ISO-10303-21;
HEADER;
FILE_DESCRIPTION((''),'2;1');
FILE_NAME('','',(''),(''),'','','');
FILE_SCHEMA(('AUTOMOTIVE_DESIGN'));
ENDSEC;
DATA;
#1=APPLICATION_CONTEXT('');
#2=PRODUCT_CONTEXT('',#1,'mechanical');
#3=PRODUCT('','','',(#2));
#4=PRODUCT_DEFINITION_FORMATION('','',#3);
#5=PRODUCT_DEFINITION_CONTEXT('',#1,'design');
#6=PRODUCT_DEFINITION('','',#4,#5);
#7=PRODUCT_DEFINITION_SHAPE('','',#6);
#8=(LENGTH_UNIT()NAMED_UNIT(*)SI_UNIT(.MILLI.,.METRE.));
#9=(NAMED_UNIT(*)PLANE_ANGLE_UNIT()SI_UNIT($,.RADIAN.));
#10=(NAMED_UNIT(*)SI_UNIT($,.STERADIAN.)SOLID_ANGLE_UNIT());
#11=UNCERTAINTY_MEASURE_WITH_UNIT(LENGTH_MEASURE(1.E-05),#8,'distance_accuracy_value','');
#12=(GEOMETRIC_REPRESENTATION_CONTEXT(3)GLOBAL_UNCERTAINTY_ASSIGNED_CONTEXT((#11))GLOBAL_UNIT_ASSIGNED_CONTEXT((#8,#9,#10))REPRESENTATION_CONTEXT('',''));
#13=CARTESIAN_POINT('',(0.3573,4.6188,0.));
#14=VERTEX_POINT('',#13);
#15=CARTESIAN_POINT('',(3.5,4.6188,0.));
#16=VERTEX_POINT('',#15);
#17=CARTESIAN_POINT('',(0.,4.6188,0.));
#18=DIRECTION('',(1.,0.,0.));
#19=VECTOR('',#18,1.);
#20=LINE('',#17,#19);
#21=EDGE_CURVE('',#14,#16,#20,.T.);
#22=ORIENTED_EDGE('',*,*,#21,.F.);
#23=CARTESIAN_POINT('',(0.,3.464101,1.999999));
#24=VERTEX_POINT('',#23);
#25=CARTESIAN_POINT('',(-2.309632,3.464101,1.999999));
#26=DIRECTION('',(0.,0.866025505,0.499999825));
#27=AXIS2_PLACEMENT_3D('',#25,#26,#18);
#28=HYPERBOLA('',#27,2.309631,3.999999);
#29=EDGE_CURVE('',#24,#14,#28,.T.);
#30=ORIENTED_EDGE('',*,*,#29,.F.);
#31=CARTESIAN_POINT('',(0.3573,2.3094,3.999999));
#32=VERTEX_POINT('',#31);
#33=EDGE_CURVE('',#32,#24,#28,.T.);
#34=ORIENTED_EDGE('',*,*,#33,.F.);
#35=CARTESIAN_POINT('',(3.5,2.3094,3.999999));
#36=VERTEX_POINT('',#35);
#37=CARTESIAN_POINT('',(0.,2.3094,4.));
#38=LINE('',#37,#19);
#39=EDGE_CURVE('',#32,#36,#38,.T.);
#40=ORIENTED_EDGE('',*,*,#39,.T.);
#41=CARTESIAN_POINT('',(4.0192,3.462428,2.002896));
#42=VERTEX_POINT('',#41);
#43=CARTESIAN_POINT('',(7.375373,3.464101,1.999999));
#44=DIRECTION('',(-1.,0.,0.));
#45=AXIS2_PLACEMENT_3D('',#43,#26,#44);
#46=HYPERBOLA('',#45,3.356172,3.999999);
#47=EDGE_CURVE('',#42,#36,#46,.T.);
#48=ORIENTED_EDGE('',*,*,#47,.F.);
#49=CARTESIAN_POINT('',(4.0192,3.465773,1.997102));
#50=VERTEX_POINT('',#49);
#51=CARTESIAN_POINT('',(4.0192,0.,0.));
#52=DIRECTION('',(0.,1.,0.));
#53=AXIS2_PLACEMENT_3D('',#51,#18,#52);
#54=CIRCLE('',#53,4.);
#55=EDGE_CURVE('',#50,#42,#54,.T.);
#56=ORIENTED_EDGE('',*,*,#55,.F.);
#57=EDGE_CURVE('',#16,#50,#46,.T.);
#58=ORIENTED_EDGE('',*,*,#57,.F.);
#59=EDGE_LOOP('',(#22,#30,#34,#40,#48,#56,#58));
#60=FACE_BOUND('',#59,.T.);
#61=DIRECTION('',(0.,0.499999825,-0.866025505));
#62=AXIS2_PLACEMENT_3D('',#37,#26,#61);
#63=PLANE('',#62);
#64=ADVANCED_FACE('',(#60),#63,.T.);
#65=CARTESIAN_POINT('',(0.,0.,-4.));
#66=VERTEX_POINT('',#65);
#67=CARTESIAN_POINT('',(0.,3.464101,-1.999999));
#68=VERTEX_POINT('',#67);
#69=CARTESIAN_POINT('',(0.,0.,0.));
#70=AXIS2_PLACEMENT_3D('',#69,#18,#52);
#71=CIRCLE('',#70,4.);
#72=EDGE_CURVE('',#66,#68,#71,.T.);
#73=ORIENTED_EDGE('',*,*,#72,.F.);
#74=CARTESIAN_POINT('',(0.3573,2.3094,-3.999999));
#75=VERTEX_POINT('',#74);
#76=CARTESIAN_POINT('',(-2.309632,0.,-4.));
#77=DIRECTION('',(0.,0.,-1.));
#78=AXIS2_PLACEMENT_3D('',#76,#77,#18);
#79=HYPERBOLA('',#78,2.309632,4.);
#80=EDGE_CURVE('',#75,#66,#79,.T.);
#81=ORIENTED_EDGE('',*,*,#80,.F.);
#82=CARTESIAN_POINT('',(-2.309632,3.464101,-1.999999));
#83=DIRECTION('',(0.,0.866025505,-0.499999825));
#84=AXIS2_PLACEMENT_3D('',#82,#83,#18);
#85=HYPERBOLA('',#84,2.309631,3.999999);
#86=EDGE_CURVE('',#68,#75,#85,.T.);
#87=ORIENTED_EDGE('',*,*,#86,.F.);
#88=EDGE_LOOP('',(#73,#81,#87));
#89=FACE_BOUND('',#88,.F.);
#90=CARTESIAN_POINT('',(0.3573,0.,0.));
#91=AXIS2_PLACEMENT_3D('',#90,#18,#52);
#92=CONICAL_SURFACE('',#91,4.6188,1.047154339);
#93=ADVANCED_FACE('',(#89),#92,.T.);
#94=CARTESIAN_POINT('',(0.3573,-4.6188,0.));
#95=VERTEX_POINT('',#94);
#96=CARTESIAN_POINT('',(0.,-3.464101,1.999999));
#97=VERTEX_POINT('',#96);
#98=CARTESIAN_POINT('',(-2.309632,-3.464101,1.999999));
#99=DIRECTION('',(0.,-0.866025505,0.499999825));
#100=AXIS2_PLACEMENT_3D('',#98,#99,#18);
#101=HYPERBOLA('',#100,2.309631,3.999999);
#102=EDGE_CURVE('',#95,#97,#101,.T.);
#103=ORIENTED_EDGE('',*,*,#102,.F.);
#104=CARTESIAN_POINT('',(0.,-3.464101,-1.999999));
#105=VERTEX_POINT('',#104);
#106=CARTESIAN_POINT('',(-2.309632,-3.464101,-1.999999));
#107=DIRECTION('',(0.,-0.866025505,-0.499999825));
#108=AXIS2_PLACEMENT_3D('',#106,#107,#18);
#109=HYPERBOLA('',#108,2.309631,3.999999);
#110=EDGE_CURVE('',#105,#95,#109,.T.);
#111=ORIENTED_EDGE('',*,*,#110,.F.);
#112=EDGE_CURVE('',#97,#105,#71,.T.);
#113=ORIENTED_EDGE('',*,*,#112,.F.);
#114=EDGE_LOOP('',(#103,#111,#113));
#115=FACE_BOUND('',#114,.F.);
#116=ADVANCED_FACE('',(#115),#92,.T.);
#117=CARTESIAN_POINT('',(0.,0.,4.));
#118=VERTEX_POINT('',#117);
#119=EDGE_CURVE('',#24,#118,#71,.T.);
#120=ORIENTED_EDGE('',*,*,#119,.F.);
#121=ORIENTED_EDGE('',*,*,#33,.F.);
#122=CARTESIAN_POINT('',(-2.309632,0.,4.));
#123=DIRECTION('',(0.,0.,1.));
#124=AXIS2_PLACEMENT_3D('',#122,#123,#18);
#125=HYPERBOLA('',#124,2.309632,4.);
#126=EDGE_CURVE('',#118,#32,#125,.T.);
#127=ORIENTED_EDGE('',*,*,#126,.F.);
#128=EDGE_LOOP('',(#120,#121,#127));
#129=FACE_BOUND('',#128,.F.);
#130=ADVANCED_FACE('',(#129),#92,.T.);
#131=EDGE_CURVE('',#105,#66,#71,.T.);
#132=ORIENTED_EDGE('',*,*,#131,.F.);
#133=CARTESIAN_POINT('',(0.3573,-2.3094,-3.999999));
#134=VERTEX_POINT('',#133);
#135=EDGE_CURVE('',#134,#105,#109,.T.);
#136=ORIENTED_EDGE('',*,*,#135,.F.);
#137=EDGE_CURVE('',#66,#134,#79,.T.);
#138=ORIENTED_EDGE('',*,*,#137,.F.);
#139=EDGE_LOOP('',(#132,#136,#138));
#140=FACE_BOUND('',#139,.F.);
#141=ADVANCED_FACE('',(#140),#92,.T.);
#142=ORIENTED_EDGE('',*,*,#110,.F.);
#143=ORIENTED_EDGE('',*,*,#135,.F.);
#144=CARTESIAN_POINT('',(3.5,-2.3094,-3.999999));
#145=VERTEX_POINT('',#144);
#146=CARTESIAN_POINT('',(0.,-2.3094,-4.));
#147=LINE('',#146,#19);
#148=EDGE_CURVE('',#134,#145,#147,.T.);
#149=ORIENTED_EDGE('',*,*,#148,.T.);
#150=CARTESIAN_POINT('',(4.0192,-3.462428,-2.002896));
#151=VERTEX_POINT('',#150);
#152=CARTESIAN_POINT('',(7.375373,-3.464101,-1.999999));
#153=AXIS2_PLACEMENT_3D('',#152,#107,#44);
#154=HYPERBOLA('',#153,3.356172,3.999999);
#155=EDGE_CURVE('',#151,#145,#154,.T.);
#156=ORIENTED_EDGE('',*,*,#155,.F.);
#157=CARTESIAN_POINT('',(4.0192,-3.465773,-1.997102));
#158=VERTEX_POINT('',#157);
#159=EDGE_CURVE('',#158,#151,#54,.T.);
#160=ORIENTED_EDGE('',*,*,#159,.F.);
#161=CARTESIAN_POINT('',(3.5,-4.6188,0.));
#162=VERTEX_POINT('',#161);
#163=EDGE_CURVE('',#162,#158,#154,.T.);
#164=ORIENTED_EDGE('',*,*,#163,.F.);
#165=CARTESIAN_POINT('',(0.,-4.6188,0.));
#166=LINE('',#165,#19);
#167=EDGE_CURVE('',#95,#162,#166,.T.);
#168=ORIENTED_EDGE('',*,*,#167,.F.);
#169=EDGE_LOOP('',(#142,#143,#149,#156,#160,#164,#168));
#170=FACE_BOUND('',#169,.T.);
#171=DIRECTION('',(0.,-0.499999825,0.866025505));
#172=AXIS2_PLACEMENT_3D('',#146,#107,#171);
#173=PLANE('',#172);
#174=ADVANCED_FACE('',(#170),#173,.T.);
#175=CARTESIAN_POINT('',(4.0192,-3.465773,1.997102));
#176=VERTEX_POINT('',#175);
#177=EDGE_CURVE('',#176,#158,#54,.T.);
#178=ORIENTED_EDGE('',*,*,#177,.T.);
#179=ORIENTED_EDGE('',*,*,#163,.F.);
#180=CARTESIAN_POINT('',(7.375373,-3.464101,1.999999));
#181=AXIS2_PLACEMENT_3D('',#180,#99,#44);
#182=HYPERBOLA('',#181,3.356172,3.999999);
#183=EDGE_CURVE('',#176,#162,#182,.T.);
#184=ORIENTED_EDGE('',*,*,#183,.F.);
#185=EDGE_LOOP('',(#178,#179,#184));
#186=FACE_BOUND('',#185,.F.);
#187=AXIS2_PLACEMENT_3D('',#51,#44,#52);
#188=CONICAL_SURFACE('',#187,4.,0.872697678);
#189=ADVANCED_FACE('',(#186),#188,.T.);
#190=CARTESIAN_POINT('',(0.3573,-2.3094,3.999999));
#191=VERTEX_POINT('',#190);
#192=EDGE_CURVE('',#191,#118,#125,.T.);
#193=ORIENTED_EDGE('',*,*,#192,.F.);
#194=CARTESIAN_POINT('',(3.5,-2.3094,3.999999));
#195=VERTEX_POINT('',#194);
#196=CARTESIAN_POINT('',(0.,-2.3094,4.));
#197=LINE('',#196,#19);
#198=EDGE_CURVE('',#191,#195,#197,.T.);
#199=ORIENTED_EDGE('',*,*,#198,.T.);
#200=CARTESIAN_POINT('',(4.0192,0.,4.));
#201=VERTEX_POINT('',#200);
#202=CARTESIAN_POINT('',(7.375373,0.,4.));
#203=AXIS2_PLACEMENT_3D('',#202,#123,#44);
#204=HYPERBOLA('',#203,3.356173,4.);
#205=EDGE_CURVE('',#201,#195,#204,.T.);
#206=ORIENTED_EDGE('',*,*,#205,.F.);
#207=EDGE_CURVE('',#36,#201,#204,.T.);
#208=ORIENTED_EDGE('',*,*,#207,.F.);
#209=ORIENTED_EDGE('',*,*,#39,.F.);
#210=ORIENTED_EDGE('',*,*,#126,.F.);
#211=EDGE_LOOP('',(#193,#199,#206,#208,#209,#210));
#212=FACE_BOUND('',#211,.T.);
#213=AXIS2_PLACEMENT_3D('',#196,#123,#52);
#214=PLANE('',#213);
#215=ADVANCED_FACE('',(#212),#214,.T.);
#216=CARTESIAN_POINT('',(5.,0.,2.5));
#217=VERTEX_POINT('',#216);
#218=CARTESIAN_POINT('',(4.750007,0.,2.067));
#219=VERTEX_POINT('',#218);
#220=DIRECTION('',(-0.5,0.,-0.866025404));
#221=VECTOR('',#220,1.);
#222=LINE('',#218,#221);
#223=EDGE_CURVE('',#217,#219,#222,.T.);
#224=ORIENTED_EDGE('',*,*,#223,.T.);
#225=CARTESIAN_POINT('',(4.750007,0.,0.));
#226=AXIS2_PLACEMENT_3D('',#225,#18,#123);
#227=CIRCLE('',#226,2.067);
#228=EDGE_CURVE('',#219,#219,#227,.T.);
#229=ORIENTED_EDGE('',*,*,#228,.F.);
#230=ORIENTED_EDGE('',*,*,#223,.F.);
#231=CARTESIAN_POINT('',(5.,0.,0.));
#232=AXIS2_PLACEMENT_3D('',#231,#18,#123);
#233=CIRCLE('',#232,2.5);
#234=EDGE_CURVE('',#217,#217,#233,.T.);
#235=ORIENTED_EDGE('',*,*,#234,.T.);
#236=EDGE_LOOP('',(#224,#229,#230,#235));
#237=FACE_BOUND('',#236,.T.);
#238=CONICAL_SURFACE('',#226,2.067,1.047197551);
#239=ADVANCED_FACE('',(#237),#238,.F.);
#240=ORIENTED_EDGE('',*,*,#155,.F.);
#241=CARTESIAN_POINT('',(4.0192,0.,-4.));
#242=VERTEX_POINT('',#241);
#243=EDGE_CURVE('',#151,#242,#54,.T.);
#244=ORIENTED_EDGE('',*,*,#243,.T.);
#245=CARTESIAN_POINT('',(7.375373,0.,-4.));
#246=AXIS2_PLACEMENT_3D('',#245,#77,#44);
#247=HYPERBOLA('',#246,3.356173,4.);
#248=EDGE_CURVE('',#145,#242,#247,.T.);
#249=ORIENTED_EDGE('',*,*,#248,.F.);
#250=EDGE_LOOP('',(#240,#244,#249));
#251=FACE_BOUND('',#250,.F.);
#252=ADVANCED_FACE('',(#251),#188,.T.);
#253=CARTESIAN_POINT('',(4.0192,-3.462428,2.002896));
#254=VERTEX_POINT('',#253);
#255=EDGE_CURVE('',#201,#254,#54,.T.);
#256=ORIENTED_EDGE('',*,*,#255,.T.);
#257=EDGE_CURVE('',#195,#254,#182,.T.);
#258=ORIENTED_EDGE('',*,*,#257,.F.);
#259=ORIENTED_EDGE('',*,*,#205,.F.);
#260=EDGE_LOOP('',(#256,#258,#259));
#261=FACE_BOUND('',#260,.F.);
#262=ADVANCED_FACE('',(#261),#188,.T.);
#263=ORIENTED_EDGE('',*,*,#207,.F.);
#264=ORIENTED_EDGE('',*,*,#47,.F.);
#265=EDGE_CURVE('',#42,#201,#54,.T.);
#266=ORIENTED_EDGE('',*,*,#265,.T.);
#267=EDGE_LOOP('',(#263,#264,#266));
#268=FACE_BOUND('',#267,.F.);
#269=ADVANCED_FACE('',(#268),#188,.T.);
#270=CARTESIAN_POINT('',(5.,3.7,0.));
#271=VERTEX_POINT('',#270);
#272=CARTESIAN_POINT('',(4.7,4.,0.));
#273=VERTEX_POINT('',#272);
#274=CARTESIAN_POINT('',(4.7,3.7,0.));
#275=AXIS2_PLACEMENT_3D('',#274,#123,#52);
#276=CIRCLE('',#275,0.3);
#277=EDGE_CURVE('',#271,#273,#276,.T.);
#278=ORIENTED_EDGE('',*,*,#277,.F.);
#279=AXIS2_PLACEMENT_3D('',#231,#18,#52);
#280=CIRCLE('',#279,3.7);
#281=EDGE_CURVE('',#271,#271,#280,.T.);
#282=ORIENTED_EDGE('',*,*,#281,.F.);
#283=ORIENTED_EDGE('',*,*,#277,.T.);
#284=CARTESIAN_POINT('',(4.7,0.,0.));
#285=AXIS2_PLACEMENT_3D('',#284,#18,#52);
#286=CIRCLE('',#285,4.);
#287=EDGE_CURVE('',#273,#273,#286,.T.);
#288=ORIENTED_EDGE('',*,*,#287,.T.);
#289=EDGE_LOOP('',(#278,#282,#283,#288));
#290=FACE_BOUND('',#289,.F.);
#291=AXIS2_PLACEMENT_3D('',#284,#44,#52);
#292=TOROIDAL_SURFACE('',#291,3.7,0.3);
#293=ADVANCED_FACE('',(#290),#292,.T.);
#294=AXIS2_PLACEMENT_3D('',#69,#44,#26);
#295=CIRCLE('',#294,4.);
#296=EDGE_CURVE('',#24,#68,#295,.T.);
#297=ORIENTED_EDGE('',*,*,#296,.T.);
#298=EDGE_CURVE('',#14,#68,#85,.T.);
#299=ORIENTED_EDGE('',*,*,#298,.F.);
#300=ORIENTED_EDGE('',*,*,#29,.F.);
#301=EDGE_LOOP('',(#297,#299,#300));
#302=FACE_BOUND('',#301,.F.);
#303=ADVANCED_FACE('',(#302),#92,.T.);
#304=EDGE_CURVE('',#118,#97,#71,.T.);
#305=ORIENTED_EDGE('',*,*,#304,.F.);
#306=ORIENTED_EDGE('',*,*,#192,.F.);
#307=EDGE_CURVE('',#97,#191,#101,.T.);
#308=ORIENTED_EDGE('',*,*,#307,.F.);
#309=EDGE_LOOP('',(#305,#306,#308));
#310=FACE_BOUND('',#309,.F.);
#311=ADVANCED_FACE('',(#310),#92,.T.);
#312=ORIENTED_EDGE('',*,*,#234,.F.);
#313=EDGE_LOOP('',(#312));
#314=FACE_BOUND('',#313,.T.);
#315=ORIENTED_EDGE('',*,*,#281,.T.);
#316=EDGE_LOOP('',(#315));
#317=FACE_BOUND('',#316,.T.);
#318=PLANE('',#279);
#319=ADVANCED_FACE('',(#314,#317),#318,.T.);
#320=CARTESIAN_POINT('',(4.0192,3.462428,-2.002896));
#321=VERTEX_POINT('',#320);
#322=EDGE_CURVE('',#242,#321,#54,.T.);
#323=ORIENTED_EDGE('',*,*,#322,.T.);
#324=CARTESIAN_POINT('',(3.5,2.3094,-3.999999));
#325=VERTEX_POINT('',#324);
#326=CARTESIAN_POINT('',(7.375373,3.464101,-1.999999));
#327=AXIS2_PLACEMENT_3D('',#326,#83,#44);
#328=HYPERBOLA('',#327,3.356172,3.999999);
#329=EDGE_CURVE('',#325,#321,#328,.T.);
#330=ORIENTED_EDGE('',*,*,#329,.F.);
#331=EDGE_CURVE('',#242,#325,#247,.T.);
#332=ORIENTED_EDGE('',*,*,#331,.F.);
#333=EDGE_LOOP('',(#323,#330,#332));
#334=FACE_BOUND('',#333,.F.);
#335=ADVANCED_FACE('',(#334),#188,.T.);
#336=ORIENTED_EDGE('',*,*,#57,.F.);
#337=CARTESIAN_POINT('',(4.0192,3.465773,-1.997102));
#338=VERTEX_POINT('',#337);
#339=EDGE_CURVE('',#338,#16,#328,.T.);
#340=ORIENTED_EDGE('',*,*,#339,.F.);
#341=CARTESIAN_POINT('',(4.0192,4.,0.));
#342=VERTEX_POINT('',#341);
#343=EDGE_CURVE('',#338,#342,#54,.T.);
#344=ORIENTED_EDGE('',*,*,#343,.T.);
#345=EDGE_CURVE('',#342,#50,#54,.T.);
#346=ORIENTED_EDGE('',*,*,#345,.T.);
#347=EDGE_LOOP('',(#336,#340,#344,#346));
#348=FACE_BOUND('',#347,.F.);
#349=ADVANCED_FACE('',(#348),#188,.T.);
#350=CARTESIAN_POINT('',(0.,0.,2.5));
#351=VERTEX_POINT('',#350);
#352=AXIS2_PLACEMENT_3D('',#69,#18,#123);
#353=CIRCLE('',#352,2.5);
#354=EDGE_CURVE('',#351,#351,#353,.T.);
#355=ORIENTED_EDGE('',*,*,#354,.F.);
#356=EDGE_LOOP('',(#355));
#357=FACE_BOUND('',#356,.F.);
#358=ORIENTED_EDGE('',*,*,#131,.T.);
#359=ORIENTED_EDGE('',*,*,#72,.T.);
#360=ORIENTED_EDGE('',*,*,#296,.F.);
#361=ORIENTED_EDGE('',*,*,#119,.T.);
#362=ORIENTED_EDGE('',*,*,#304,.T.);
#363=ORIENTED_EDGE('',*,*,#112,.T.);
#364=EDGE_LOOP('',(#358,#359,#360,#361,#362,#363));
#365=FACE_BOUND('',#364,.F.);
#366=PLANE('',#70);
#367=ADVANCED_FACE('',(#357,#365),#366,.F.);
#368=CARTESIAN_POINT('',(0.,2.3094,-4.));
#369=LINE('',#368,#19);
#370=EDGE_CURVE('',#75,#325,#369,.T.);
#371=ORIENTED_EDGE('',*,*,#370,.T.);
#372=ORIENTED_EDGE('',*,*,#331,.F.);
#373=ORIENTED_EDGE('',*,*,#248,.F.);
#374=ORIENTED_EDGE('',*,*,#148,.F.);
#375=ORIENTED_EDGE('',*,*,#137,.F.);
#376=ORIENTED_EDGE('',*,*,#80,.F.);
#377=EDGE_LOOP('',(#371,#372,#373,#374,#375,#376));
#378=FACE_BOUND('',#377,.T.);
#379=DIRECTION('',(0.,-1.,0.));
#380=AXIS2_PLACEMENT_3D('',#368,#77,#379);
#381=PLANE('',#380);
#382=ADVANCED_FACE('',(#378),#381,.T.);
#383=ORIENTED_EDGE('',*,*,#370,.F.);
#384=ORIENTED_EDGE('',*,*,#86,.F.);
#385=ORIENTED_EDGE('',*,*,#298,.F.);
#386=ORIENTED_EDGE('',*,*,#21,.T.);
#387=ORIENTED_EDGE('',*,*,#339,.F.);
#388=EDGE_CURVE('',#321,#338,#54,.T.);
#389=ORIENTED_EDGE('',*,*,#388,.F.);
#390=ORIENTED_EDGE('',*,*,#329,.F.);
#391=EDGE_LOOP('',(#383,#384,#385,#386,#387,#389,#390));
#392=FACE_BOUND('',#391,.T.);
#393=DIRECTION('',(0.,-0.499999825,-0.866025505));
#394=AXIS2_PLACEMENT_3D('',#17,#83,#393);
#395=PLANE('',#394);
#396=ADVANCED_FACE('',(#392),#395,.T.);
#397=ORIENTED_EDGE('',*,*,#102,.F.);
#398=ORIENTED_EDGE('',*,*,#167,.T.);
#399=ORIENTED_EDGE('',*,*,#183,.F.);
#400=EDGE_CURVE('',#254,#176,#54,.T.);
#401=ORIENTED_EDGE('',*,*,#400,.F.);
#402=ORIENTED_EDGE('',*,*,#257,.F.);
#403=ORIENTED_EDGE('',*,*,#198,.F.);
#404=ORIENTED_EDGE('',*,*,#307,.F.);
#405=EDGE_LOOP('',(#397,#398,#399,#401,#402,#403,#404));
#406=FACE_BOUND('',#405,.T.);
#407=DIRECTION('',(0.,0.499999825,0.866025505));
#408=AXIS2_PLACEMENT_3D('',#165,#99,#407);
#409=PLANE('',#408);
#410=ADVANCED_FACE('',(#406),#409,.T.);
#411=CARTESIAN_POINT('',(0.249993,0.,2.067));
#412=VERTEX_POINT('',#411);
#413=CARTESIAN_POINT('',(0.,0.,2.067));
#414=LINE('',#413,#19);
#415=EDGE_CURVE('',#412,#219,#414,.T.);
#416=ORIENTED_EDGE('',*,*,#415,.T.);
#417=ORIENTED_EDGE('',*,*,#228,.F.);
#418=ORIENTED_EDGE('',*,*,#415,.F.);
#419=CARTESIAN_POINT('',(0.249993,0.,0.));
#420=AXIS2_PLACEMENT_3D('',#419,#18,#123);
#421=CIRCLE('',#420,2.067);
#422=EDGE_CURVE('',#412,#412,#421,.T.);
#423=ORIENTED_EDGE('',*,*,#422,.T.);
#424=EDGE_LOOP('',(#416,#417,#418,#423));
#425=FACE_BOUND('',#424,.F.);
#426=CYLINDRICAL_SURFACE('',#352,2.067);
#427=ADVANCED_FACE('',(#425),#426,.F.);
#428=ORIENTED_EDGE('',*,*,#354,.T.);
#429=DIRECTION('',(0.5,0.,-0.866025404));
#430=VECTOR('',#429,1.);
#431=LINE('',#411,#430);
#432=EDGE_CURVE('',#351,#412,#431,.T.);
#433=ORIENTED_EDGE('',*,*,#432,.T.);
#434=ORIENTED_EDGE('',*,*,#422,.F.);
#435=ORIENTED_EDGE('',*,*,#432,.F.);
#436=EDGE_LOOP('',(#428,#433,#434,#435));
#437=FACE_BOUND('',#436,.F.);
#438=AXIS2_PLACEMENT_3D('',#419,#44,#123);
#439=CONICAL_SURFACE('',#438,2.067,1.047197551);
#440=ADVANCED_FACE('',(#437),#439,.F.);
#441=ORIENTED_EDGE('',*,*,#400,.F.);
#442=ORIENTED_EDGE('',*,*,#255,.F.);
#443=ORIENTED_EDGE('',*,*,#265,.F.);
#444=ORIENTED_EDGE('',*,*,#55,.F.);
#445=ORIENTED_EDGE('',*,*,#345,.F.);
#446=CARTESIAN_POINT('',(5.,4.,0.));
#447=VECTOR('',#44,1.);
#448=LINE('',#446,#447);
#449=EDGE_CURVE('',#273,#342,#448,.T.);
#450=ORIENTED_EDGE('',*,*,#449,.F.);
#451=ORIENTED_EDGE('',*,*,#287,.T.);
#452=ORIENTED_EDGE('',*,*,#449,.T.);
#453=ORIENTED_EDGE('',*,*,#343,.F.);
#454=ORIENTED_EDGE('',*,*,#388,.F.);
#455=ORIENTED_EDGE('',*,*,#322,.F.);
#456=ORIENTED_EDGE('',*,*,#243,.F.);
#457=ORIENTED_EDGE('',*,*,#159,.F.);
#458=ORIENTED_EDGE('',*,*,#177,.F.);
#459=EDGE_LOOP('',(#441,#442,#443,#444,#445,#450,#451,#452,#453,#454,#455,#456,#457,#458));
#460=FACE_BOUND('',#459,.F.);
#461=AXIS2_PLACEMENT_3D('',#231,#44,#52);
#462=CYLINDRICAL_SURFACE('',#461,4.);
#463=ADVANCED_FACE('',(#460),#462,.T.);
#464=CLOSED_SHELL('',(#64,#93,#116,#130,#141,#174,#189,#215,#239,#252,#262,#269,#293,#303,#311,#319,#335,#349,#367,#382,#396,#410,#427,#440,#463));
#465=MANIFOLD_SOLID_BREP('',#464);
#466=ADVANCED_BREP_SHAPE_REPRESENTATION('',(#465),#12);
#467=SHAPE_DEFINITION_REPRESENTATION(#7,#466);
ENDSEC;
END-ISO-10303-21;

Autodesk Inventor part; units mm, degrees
ref_plane "YZ Plane" through (0, 0, 0) normal (1, 0, 0) x (0, 1, 0)
ref_plane "XZ Plane" through (0, 0, 0) normal (0, 1, 0) x (-1, 0, 0)
sketch "Sketch1" plane through (0, 0, 0) normal (1, 0, 0) x (0, 1, 0)
  line L0 (-4.6188, 0) -> (-2.3094, 4)
  line L1 (-2.3094, 4) -> (2.3094, 4)
  line L2 (2.3094, 4) -> (4.6188, 0)
  line L3 (4.6188, 0) -> (2.3094, -4)
  line L4 (2.3094, -4) -> (-2.3094, -4)
  line L5 (-2.3094, -4) -> (-4.6188, 0)
  point P0 (0, 0)
  point P1 (0, 0)
  dimension "d0" = 9.2376
extrude "Body" add sketch "Sketch1" along normal blind 5
sketch "Sketch2" plane through (0, 0, 0) normal (-1, 0, 0) x (0, 0, 1)
  line L0 (0, -6.4663) -> (0, 6.4663) projected
  line L1 (-5.6, 0) -> (5.6, 0) projected
  point P0 (0, 0)
hole "Thread" at (0, 0, 0) direction (1, 0, 0) diameter 4.134 end through all thread size "M5x0.8" class "6H" standard "ANSI Metric M Profile"
chamfer "Chamfer1" distance 0.433 angle 30 1 edges at (0, 0, -2.067) measured on face at (0, -2.8764, -1.7247)
chamfer "Chamfer2" distance 0.433 angle 30 1 edges at (5, 0, -2.067) measured on face at (5, -2.8764, -1.7247)
sketch "Sketch3" plane through (0, 0, 0) normal (0, 0, 1) x (1, 0, 0)
  line L0 (0, 2.3094) -> (0, 4.6188) projected
  line L1 (0, 4.6188) -> (5, 4.6188) projected
  line L2 (5, 2.3094) -> (5, 4.6188) projected
  line L3 (-1.36, 0) -> (8.16, 0) projected
  line L4 (0.3573, 4.6188) -> (0, 4)
  line L5 (5, 4) -> (4.0192, 4)
  line L6 (4.0192, 4) -> (3.5, 4.6188)
  line L7 (13.2445, 4.6188) -> (17.2445, 2.3094) construction
  line L8 (17.2445, 2.3094) -> (17.2445, -2.3094) construction
  line L9 (17.2445, -2.3094) -> (13.2445, -4.6188) construction
  line L10 (13.2445, -4.6188) -> (9.2445, -2.3094) construction
  line L11 (9.2445, -2.3094) -> (9.2445, 2.3094) construction
  line L12 (9.2445, 2.3094) -> (13.2445, 4.6188) construction
  circle A0 centre (13.2445, 0) radius 4 construction
  line L13 (13.2445, 4) -> (5, 4) construction
  dimension "d3" = 30
  dimension "d5" = 8
  dimension "d8" = 40
  dimension "d9" = 3.5
  dimension "d43" = 8.2445
revolve "Chamfer3" cut sketch "Sketch3" angle 360 about axis through (-10, 0, 0) along (1, 0, 0)
ref_plane "Work Plane1" through (13.2035, 0, 0) normal (0, 0, 1) x (-1, 0, 0)
fillet "Fillet1" radius 0.3 1 edges at (5, -4, 0)
equation "\"d0\" = 1.1547 * SW"
equation "\"d3\" = ANG1"
equation "\"d5\" = SW0"
equation "\"d10\" = -0.5 * GD1 + 0.5 * NND"
equation "\"d39\" = -0.5 * GD1 + 0.5 * NND"
equation "\"d12\" = -0.5 * GD1 + 0.5 * NND"
equation "\"d40\" = -0.5 * GD1 + 0.5 * NND"
equation "\"ANG1\" = 30deg"
equation "\"ANG2\" = 60deg"
equation "\"NND\" = 5"
equation "\"KOH\" = 6.8"
equation "\"SW\" = 8"
equation "\"SW0\" = SW"
equation "\"SW1\" = 0.85 * SW"
equation "\"KOH1\" = 2.7"
equation "\"GUL\" = 0.541266 * PTC"
equation "\"THREADDIA\" = 5"
equation "\"TOA\" = 30deg"
equation "\"PTC\" = 0.8"
equation "\"E0\" = 1.155 * SW"
equation "\"GAL\" = 0.541266 * PTC"
equation "\"GD1\" = 4.133975"
properties part number "ParlocM5" material "Steel, Mild"
